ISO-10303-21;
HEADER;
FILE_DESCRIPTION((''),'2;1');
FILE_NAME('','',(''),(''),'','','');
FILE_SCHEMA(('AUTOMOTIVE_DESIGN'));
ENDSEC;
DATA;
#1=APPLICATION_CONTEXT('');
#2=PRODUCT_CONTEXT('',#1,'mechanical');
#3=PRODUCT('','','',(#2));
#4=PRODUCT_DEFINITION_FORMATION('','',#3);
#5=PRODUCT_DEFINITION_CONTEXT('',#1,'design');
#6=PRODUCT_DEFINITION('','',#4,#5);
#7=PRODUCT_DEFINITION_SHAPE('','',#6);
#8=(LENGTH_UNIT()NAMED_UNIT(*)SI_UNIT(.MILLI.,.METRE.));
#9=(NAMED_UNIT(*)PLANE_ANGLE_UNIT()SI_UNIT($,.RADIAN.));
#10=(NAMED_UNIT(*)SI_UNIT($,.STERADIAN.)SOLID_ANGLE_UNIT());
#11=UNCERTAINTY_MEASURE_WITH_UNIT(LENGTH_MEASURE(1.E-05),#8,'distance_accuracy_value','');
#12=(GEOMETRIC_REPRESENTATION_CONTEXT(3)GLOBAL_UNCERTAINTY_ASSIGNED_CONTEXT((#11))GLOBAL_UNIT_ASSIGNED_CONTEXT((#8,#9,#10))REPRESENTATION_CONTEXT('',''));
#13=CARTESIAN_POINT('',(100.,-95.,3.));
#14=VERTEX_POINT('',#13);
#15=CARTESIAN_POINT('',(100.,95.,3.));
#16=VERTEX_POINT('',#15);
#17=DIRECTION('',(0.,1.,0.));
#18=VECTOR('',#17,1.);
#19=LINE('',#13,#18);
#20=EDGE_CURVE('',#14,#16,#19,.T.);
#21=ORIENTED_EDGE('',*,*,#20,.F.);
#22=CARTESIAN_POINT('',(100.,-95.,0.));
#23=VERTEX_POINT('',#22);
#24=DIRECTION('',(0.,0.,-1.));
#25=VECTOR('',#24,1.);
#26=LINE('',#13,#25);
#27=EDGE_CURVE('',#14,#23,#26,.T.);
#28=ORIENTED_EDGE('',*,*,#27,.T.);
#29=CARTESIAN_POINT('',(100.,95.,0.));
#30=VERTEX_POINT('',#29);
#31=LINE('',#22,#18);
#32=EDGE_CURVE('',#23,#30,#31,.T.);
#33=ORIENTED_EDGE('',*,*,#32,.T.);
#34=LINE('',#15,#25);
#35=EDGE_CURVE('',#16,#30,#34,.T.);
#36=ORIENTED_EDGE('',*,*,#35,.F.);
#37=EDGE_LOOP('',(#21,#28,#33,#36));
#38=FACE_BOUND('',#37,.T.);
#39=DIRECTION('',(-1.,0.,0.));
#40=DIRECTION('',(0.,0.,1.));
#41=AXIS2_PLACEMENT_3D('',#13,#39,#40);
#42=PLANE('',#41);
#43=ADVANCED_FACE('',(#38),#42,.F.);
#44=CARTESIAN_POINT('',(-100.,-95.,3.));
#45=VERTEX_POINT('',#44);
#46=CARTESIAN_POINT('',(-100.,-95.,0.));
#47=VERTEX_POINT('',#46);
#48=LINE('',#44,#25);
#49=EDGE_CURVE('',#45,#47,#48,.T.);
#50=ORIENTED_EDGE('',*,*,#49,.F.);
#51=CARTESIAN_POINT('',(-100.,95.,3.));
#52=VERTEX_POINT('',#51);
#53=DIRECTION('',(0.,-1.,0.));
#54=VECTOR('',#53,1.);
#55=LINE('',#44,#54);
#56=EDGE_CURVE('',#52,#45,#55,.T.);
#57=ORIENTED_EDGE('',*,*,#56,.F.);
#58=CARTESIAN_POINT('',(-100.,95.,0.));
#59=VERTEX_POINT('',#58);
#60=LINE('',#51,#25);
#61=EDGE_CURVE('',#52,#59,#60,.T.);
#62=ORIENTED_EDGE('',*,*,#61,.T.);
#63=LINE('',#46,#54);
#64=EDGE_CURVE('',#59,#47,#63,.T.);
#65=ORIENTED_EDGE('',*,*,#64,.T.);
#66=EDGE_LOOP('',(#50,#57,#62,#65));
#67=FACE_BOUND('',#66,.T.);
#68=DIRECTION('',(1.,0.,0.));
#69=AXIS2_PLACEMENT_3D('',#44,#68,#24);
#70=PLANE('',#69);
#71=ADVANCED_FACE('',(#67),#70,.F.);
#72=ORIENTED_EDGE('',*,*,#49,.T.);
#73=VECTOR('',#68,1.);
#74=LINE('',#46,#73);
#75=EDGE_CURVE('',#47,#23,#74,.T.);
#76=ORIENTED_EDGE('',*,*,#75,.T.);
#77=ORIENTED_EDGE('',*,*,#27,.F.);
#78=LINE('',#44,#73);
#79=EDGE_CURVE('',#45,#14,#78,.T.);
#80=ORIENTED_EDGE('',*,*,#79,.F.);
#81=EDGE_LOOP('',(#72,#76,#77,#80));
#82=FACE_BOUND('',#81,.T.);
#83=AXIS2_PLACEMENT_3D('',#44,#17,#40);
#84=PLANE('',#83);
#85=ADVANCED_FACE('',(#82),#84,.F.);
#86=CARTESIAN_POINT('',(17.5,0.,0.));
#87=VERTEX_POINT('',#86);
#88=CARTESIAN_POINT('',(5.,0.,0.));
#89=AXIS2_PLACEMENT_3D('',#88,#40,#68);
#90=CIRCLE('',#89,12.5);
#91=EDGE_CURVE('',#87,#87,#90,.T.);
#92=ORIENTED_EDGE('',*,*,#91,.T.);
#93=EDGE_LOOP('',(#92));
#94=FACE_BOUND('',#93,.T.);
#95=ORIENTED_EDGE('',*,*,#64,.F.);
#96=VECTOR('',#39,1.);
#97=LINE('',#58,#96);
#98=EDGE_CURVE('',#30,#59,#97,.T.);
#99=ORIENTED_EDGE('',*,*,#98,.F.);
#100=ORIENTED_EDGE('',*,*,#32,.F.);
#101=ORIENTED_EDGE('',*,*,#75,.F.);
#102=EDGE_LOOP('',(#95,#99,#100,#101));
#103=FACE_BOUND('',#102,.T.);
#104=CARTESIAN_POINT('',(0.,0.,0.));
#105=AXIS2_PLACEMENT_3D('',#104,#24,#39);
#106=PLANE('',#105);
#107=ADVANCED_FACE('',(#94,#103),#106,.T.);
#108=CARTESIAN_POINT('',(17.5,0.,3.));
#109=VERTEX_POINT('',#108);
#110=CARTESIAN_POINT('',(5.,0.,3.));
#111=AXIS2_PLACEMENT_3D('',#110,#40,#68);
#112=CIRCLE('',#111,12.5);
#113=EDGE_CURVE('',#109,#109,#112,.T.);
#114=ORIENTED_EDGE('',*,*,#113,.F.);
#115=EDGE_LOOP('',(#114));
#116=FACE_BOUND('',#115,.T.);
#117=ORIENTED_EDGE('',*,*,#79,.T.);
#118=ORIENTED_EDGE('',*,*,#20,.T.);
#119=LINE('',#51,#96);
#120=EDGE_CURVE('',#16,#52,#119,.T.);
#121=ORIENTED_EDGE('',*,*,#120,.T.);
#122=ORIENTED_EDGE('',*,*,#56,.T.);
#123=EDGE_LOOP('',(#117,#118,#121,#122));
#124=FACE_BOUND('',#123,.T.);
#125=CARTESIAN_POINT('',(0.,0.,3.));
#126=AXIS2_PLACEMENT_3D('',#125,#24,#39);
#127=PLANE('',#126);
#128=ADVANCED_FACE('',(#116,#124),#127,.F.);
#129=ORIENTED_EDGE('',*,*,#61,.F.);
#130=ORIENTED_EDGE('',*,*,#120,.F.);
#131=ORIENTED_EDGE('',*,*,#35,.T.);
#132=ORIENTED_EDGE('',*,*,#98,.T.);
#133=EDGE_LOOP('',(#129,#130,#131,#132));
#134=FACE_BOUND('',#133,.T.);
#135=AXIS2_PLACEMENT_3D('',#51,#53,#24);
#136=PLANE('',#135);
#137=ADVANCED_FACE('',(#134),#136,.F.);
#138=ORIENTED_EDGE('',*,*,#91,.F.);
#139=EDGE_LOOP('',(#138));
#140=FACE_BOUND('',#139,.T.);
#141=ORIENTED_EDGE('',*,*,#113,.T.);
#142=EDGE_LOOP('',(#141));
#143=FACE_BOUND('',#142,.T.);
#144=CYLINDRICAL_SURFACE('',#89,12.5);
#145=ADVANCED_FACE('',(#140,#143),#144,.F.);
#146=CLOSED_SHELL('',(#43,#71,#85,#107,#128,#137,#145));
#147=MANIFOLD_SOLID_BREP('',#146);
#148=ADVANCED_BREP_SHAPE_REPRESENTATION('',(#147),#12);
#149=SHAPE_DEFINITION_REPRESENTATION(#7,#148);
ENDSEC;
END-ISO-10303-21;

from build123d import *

# Parameters (mm, degrees)
CROQUIS1_W              = 200
CROQUIS1_H              = 190
SALIENTE_EXTRUIR1_DEPTH = 3
CROQUIS2_R              = 12.5
CORTAR_EXTRUIR1_DEPTH   = 3


with BuildPart() as part:
    # Croquis1 → Saliente-Extruir1 (new body)
    with BuildSketch(Plane.XY):
        Rectangle(CROQUIS1_W, CROQUIS1_H)
    extrude(amount=SALIENTE_EXTRUIR1_DEPTH)

    # Croquis2 → Cortar-Extruir1 (cut)
    with BuildSketch(Plane.XY.offset(3)):
        with Locations((5, 0)):
            Circle(CROQUIS2_R)
    extrude(amount=-CORTAR_EXTRUIR1_DEPTH, mode=Mode.SUBTRACT)


solid = part.part
